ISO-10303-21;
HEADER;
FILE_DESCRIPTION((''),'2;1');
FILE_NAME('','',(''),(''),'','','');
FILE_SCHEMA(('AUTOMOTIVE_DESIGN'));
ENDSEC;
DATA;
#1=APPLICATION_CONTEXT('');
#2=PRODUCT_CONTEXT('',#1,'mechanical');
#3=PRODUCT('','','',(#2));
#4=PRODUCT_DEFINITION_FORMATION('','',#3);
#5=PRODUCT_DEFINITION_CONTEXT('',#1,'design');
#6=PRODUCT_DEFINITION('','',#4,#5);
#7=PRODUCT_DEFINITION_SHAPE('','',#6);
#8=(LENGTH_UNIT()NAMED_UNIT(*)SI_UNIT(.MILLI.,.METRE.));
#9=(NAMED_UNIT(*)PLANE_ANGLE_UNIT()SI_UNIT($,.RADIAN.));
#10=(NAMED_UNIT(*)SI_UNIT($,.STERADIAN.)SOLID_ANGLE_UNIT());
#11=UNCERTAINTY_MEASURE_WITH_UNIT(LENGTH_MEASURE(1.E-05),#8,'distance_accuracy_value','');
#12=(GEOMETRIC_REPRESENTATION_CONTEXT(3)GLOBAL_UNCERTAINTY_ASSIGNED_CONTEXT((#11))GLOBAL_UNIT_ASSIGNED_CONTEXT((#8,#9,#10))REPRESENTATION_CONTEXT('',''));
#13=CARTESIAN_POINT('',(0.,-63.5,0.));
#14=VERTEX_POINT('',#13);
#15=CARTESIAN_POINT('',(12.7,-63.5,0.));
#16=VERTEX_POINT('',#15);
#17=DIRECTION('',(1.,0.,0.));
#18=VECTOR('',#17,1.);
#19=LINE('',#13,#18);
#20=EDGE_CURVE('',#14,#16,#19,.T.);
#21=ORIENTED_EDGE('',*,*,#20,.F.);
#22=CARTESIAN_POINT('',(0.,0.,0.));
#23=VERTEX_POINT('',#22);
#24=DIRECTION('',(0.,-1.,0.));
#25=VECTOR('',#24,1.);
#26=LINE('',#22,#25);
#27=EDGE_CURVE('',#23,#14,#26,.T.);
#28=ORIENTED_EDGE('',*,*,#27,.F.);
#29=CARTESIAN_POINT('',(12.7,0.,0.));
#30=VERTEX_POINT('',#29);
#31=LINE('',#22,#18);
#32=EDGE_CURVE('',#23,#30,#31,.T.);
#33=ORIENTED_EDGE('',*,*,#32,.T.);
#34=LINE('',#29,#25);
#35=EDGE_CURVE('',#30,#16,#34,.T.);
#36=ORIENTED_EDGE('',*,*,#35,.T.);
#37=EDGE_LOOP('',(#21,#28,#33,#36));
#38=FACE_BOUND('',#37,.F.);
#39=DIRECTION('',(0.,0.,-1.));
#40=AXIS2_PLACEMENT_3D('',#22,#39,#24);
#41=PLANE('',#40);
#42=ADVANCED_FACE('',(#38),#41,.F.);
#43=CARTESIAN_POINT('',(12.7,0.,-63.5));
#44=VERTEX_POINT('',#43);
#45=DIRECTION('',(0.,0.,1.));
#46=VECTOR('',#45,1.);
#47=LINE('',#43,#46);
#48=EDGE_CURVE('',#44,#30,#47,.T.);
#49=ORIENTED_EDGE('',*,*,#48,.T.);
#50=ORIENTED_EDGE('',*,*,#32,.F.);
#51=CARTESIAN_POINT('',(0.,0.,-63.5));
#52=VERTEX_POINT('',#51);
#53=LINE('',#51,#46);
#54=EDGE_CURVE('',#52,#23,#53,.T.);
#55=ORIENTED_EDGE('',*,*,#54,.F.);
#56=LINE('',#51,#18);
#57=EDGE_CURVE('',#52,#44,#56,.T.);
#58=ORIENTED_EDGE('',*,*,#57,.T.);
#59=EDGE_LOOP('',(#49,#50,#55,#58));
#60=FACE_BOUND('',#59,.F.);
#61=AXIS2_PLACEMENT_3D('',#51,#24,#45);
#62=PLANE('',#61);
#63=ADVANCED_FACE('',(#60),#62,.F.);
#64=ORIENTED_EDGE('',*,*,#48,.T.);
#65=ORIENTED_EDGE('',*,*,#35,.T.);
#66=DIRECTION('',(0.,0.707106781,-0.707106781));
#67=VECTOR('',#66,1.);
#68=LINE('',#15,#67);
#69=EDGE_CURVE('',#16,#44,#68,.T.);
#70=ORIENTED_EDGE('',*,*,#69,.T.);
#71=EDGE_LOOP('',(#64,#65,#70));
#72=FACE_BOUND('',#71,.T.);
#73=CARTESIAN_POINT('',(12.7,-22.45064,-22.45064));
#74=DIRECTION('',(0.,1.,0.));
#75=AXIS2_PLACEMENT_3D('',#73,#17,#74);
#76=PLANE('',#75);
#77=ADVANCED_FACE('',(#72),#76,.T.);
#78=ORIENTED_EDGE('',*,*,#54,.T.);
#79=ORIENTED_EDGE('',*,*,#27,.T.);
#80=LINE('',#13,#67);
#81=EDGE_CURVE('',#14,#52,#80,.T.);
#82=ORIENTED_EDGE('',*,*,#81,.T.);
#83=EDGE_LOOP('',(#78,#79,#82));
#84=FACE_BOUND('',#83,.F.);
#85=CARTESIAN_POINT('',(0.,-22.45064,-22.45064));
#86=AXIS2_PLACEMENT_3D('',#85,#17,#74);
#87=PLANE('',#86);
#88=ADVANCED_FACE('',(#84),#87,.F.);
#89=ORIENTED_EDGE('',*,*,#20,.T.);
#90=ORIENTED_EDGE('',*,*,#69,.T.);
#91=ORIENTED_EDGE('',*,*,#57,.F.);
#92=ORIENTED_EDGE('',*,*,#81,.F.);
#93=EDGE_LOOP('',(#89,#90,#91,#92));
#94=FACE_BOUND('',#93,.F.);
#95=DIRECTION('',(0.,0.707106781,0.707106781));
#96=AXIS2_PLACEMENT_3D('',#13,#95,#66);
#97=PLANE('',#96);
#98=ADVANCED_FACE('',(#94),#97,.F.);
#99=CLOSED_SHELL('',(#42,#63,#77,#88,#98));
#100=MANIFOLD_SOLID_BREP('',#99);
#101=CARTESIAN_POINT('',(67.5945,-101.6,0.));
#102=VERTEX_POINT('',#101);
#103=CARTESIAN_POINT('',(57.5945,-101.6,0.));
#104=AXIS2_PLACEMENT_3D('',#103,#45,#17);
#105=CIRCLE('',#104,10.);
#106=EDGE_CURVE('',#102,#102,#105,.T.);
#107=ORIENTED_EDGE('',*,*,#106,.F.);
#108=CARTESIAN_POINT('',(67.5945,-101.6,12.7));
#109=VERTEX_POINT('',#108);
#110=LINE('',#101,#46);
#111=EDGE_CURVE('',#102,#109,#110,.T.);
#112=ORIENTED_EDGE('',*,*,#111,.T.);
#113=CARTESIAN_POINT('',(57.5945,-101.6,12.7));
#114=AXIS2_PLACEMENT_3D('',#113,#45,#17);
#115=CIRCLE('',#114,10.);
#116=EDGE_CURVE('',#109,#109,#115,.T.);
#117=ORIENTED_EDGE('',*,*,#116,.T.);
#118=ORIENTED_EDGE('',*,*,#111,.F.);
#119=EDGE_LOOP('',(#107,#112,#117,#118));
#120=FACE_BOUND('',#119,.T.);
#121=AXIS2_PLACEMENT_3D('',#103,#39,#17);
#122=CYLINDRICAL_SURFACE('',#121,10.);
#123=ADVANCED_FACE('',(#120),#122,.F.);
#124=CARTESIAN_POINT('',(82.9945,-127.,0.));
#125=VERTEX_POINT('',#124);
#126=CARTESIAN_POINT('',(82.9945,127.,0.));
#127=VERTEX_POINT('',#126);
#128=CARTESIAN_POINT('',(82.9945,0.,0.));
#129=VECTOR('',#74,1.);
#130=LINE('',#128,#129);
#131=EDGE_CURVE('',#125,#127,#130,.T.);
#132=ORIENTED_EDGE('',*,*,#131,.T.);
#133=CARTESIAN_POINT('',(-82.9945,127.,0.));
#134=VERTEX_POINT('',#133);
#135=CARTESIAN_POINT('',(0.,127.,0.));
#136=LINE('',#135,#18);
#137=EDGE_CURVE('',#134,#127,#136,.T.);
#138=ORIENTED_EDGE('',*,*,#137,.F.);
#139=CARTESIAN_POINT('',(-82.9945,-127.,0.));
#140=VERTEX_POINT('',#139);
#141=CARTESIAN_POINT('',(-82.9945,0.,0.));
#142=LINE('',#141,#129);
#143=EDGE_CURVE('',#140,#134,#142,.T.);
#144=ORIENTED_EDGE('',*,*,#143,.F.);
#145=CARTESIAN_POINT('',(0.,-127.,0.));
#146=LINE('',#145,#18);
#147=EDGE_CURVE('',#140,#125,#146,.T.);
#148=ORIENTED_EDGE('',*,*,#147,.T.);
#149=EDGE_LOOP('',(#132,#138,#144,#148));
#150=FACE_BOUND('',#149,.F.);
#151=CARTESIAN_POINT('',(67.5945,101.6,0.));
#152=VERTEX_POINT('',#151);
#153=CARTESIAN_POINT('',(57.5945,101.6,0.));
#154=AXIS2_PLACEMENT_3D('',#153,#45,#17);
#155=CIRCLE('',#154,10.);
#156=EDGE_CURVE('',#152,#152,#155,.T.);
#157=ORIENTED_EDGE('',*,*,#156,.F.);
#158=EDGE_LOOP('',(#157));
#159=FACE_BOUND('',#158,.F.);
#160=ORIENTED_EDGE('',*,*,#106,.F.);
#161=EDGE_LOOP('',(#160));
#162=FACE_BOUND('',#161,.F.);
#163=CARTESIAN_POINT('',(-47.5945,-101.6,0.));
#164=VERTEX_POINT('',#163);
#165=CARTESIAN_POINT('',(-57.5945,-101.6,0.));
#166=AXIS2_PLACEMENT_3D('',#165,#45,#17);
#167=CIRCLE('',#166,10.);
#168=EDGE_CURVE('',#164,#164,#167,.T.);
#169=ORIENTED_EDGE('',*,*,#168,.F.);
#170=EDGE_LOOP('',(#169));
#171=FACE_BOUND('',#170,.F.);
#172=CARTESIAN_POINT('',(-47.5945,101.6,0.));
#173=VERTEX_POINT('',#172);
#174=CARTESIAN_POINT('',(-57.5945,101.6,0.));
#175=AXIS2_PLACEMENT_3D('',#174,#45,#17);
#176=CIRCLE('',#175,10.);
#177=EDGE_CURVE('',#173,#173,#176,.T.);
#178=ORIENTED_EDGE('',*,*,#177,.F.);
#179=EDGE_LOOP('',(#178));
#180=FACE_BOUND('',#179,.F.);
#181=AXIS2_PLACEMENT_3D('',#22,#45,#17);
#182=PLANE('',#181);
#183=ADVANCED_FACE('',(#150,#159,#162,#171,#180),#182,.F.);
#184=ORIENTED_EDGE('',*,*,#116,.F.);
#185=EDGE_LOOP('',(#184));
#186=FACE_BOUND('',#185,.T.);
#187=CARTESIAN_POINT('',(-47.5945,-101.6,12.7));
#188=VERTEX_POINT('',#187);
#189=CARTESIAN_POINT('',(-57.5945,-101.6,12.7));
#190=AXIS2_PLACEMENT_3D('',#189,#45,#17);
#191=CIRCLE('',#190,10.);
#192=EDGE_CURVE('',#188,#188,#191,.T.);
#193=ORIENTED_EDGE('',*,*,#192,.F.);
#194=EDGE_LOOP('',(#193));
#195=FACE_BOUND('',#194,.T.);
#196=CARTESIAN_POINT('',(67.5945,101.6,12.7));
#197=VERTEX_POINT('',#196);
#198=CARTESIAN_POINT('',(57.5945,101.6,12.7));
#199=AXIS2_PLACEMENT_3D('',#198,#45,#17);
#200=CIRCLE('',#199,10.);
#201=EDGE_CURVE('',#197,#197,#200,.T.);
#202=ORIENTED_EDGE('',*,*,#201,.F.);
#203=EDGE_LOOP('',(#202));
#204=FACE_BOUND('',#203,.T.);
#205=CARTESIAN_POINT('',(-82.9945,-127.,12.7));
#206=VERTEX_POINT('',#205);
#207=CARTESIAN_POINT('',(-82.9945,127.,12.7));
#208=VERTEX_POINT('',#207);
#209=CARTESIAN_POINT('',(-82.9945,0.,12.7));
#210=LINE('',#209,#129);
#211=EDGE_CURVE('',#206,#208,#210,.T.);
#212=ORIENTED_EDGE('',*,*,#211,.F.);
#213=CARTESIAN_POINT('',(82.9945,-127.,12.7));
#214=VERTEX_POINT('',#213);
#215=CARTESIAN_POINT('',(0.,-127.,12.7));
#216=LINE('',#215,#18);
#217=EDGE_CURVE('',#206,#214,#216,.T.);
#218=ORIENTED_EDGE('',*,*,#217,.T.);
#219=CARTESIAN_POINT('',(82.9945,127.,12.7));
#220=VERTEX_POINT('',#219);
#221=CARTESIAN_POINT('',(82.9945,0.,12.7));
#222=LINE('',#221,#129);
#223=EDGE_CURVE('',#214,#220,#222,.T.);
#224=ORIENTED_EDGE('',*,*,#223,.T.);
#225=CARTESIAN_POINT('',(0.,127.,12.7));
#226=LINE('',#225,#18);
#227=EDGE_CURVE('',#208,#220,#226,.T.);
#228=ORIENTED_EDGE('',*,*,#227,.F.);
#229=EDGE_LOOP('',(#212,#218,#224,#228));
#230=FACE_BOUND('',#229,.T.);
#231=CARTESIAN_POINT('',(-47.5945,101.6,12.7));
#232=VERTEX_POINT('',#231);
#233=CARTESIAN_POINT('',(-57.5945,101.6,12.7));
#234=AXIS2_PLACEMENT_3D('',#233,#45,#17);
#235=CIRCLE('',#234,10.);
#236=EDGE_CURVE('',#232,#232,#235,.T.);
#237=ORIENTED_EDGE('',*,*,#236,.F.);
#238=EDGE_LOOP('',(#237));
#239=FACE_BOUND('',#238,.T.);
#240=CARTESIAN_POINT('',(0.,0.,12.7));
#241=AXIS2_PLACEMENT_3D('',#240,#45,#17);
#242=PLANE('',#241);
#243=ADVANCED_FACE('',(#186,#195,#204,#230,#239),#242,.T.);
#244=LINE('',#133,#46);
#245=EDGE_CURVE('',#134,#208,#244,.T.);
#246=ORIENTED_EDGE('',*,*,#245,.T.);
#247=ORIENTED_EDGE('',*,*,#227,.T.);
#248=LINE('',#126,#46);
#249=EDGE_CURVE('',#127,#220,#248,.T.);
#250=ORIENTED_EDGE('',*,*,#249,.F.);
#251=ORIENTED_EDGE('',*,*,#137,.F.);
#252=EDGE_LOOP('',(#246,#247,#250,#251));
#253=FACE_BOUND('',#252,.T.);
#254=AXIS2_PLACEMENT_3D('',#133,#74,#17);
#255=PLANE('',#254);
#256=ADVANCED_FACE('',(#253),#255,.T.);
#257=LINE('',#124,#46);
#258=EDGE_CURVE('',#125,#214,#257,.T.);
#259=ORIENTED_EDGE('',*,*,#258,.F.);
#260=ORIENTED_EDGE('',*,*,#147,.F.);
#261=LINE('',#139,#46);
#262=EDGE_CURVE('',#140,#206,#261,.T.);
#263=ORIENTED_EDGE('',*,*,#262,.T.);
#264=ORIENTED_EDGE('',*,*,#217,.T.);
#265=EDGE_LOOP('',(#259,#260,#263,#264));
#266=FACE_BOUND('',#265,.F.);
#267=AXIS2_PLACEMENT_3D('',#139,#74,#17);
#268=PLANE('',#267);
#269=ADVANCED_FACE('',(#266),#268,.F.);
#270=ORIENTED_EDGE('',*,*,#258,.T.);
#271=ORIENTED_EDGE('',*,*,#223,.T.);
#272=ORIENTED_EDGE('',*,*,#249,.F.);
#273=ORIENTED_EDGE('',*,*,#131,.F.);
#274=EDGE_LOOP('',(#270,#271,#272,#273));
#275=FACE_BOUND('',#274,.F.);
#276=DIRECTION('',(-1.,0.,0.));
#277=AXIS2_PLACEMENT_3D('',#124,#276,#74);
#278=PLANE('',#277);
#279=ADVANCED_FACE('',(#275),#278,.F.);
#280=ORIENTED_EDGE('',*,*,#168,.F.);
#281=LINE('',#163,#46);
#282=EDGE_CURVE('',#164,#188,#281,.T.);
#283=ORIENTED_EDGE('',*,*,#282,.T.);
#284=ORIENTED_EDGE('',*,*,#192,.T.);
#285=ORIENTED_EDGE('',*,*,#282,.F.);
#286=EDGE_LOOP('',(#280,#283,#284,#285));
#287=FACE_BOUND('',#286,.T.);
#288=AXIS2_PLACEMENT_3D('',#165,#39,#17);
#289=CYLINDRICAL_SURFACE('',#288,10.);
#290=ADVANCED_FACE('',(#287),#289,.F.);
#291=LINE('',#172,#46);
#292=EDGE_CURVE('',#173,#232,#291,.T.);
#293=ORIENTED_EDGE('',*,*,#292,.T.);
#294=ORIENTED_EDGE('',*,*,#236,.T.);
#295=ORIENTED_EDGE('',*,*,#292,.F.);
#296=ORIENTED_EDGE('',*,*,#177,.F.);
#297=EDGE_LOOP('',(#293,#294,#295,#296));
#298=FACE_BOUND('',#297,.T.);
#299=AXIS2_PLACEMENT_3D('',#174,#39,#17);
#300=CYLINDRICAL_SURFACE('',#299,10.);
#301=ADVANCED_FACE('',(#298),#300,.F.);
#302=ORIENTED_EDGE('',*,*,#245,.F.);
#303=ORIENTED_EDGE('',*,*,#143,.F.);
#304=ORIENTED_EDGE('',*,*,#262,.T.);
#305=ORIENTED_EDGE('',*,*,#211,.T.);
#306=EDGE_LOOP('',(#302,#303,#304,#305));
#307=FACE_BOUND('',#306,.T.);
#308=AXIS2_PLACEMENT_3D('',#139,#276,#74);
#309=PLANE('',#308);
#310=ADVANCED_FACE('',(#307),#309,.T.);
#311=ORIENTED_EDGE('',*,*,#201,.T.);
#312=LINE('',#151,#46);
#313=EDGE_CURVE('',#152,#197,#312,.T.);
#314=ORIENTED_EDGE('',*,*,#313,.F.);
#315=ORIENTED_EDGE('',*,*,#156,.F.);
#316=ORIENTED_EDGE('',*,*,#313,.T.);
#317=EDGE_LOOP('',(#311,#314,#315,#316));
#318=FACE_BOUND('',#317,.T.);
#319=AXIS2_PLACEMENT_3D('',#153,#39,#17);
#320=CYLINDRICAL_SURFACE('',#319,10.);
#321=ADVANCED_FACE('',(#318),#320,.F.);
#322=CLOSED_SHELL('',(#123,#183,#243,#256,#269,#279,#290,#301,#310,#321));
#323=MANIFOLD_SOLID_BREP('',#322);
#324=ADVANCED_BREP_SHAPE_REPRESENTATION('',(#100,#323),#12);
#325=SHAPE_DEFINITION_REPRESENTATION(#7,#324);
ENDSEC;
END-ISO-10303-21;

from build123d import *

# Parameters (mm, degrees)
F0_W     = 165.989
F0_H     = 254
F0_R     = 10
F1_DEPTH = 12.7
F3_DEPTH = 12.7


with BuildPart() as f1:
    # F0 (on Top) → F1 (new body)
    with BuildSketch(Plane.XY):
        Rectangle(F0_W, F0_H)
        with Locations((-57.5945, -101.6)):
            Circle(F0_R, mode=Mode.SUBTRACT)
        with Locations((57.5945, -101.6)):
            Circle(F0_R, mode=Mode.SUBTRACT)
        with Locations((-57.5945, 101.6)):
            Circle(F0_R, mode=Mode.SUBTRACT)
        with Locations((57.5945, 101.6)):
            Circle(F0_R, mode=Mode.SUBTRACT)
    extrude(amount=F1_DEPTH)


with BuildPart() as f3:
    # F2 (on Right) → F3 (new body)
    with BuildSketch(Plane.YZ):
        Polygon((0, -63.5), (0, 0), (-63.5, 0), align=None)
    extrude(amount=F3_DEPTH)


solid = Compound([f1.part, f3.part])
